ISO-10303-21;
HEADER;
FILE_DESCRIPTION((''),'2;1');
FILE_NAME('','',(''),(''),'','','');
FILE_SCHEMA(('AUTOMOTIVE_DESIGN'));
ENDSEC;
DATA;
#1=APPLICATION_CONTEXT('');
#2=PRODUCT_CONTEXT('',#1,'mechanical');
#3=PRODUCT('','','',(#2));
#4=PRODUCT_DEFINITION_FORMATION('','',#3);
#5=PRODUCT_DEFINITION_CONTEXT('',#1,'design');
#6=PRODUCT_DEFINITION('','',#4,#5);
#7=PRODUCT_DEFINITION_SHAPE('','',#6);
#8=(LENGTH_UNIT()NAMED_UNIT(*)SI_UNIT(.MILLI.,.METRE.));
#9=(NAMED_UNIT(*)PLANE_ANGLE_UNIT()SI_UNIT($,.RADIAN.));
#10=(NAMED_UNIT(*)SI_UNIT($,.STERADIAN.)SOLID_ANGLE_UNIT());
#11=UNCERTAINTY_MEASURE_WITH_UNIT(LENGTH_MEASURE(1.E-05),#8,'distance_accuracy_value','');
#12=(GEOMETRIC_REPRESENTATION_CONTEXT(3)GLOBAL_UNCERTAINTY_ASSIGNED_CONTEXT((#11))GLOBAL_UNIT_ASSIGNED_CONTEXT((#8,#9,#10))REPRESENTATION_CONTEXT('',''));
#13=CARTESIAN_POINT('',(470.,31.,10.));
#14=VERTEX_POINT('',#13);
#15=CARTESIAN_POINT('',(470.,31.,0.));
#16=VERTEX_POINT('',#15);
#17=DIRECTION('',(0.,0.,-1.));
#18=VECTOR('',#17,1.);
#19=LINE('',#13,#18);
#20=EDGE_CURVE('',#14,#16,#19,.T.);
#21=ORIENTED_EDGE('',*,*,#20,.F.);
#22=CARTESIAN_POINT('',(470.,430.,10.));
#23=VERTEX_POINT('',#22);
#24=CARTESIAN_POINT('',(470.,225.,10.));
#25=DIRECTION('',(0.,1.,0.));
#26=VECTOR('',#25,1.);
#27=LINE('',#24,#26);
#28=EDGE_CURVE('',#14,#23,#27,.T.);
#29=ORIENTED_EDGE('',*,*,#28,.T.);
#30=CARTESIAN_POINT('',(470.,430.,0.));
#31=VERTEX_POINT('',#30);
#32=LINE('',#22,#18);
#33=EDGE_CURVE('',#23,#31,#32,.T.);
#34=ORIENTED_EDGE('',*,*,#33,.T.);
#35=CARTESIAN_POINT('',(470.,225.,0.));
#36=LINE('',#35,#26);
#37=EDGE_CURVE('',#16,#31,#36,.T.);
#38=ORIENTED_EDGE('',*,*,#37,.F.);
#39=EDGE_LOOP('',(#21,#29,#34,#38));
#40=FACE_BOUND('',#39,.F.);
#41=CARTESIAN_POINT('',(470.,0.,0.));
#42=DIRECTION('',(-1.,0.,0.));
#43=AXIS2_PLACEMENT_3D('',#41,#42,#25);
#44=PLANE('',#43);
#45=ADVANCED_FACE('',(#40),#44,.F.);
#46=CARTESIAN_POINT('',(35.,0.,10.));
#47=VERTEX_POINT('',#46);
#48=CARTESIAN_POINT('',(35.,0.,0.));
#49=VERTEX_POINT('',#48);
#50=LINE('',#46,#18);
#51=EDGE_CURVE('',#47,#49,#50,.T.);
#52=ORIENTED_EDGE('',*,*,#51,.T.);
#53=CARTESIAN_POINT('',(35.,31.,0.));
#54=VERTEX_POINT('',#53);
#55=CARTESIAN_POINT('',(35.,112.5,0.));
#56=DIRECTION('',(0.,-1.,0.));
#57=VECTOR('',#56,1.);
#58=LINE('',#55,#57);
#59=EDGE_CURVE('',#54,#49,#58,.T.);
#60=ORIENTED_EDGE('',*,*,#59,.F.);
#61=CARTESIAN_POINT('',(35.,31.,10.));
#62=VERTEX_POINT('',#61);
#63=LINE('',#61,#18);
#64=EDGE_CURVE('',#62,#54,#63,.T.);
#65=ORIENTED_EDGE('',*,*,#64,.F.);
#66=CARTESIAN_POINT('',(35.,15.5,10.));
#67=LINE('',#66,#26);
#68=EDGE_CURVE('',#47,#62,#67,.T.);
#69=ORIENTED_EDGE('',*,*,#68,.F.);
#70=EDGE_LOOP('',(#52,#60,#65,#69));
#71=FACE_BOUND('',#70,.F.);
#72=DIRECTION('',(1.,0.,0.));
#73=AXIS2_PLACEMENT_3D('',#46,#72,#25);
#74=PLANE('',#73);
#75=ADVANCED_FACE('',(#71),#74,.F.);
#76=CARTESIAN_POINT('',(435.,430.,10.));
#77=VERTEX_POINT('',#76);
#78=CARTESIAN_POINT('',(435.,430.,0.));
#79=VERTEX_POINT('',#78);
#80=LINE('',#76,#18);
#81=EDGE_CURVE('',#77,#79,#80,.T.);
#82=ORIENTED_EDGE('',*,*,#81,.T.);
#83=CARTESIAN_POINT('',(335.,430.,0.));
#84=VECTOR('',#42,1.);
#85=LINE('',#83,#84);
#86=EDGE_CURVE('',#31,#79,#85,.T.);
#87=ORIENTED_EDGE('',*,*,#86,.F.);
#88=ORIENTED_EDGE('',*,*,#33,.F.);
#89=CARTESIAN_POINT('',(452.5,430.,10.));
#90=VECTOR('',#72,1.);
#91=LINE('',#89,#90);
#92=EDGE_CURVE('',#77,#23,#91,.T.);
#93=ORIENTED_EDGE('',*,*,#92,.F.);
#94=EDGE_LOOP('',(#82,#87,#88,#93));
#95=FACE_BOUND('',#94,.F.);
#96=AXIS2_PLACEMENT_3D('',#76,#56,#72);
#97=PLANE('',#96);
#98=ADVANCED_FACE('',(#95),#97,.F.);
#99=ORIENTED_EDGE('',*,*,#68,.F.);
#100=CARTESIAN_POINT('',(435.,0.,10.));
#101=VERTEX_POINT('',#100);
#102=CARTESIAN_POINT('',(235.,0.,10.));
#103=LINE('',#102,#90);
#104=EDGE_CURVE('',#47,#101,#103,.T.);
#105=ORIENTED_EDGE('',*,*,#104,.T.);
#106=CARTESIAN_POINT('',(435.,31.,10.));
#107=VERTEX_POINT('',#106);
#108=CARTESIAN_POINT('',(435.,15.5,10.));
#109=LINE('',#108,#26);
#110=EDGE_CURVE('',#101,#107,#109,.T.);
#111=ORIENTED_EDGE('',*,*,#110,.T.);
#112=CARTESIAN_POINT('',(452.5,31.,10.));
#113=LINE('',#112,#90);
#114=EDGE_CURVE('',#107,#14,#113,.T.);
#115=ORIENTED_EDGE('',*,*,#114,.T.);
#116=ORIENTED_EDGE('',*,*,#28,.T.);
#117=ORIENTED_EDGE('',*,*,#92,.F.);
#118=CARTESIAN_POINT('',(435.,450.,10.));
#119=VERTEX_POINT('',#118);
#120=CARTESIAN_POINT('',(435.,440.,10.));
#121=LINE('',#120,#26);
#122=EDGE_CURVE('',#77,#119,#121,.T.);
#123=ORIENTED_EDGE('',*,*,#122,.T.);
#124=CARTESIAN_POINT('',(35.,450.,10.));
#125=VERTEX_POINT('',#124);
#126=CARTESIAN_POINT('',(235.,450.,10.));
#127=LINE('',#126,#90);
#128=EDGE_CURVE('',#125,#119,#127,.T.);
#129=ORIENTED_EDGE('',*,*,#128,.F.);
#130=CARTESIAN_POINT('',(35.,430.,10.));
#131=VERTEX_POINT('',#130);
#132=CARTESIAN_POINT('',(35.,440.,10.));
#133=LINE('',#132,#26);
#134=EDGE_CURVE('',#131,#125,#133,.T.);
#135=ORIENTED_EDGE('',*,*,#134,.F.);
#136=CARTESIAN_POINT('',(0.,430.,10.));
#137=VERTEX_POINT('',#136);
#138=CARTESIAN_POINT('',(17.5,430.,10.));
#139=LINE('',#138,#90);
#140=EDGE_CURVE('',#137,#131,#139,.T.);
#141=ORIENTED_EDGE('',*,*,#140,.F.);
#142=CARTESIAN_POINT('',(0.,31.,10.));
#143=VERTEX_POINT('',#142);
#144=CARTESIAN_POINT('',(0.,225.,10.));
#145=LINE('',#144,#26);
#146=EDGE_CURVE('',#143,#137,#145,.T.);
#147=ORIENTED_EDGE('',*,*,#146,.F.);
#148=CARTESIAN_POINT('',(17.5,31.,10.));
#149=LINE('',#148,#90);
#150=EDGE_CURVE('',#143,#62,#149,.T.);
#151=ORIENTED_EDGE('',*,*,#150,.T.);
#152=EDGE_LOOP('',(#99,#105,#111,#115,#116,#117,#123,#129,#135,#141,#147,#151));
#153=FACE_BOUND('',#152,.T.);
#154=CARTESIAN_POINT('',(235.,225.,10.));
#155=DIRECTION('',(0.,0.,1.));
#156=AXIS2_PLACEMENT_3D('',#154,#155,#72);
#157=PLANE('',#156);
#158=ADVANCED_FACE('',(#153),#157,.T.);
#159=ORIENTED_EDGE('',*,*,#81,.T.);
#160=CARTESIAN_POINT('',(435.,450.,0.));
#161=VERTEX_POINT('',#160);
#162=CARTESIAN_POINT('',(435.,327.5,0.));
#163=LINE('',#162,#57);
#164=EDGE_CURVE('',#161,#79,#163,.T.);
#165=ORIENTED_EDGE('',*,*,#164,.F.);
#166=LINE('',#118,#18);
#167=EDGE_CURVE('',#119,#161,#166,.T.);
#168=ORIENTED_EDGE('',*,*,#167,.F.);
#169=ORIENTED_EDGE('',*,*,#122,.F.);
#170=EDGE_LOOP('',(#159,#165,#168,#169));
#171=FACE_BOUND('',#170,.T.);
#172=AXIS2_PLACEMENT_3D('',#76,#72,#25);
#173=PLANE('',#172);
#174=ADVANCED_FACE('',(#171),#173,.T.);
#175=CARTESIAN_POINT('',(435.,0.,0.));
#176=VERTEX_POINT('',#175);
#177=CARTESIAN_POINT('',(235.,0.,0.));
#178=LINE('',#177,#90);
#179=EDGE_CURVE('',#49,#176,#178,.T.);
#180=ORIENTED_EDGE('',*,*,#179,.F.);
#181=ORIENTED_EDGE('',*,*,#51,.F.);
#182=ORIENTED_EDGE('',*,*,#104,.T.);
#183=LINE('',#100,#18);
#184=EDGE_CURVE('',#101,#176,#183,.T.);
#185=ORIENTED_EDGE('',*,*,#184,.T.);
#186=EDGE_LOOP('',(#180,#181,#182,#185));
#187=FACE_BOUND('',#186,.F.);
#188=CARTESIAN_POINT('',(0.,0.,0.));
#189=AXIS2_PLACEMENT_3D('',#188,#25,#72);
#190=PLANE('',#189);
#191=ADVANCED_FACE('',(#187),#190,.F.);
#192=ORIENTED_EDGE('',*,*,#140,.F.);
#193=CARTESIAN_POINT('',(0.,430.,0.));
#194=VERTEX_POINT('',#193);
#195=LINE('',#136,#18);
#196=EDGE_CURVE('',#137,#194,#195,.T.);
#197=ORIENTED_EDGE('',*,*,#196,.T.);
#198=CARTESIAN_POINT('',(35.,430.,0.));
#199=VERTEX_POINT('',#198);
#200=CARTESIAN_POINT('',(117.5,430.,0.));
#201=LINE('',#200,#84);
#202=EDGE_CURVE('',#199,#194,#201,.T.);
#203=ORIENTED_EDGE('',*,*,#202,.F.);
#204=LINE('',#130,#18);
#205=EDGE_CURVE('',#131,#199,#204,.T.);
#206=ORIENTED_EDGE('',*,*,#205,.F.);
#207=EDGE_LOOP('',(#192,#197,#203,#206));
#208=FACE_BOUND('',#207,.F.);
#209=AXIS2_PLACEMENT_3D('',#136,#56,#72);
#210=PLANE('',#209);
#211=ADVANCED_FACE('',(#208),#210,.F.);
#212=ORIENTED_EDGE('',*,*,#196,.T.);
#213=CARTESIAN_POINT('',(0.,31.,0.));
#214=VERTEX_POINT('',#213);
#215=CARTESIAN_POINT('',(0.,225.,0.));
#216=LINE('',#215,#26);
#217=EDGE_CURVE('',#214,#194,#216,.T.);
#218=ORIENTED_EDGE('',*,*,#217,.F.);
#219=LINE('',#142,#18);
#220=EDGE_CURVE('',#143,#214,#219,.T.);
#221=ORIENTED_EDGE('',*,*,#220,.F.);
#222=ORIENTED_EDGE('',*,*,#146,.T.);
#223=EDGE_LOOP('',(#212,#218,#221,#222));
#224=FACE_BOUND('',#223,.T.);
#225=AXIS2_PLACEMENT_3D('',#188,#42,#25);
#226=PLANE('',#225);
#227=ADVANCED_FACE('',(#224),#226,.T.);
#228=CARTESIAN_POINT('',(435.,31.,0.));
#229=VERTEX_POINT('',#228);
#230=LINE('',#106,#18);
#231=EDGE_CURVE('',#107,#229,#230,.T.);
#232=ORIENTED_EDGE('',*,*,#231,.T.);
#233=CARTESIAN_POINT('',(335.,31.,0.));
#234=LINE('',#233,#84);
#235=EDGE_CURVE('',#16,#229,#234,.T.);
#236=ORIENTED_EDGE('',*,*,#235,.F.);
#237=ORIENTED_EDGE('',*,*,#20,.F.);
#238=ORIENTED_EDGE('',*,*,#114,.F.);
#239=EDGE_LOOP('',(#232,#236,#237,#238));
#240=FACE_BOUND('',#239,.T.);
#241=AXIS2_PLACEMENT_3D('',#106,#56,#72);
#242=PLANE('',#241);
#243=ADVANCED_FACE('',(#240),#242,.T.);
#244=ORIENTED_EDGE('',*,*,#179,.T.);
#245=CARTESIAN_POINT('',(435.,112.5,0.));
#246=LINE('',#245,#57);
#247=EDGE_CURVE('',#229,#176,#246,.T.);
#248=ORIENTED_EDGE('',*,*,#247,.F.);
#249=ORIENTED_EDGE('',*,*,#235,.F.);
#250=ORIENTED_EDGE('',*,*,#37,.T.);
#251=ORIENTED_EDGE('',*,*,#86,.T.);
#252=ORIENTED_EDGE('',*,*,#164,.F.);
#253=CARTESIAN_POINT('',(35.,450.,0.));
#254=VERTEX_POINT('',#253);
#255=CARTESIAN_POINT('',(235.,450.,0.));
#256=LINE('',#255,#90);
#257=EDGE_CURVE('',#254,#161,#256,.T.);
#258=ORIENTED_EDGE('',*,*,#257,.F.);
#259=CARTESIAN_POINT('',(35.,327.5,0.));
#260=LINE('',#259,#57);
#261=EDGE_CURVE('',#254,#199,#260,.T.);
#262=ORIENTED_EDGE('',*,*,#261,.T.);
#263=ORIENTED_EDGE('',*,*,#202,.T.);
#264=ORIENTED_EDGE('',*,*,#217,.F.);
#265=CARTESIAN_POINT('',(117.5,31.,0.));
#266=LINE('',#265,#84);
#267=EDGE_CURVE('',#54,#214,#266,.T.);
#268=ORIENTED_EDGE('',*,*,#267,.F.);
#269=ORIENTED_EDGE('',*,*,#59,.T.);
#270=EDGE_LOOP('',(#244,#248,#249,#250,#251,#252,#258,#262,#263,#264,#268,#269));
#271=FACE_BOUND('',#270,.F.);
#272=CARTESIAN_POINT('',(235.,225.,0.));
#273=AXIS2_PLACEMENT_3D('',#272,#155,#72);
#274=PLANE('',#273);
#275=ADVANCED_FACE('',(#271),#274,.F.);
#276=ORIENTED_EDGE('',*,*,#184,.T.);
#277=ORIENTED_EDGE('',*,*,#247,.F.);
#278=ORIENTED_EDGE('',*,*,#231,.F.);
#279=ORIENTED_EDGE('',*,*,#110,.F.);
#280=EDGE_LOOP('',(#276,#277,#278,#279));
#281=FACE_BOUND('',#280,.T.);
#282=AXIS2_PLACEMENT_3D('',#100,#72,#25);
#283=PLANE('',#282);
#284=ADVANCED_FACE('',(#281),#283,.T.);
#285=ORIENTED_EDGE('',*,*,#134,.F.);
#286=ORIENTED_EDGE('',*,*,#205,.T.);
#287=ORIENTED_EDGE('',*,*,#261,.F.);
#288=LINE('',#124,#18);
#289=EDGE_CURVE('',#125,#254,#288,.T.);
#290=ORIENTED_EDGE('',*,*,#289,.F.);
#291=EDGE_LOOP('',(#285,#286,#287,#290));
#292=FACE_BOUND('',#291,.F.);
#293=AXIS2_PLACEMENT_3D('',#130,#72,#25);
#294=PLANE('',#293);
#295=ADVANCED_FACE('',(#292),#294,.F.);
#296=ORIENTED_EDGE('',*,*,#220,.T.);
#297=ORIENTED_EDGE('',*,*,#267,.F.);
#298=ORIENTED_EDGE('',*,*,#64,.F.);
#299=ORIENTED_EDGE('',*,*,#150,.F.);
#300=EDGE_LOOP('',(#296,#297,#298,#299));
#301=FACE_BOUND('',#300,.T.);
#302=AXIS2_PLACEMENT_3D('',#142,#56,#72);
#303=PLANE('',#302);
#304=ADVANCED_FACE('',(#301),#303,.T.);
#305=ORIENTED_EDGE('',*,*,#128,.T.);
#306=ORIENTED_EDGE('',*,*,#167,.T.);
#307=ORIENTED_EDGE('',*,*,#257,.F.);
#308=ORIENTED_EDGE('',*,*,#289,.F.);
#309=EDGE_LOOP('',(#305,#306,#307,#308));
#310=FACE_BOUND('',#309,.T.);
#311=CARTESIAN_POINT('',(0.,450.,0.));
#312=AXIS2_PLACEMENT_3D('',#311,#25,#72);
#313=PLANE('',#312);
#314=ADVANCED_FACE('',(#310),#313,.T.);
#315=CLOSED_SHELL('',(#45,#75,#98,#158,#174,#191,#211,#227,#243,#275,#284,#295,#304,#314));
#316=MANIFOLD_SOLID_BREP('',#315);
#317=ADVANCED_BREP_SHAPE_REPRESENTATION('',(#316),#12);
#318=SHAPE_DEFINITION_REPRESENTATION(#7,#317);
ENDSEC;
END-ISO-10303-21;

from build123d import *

# Parameters (mm, degrees)
F0_W     = 470
F0_H     = 450
F1_DEPTH = 10
F2_W     = 35
F2_H     = 20
F2_H_2   = 31
F3_DEPTH = 10.001


with BuildPart() as f1:
    # F0 (on Top) → F1 (new body)
    with BuildSketch(Plane.XY):
        with Locations((235, 225)):
            Rectangle(F0_W, F0_H)
    extrude(amount=F1_DEPTH)

    # F2 (on face) + F0 (on Top) → F3 (cut, through all)
    with BuildSketch(Plane.XY.offset(10)):
        with Locations((17.5, 440)):
            Rectangle(F2_W, F2_H)
        with Locations((17.5, 15.5)):
            Rectangle(F2_W, F2_H_2)
        with Locations((452.5, 440)):
            Rectangle(F2_W, F2_H)
        with Locations((452.5, 15.5)):
            Rectangle(F2_W, F2_H_2)
    with BuildSketch(Plane.XY):
        with Locations((235, 225)):
            Rectangle(F0_W, F0_H)
    extrude(amount=-F3_DEPTH, mode=Mode.SUBTRACT)


solid = f1.part
